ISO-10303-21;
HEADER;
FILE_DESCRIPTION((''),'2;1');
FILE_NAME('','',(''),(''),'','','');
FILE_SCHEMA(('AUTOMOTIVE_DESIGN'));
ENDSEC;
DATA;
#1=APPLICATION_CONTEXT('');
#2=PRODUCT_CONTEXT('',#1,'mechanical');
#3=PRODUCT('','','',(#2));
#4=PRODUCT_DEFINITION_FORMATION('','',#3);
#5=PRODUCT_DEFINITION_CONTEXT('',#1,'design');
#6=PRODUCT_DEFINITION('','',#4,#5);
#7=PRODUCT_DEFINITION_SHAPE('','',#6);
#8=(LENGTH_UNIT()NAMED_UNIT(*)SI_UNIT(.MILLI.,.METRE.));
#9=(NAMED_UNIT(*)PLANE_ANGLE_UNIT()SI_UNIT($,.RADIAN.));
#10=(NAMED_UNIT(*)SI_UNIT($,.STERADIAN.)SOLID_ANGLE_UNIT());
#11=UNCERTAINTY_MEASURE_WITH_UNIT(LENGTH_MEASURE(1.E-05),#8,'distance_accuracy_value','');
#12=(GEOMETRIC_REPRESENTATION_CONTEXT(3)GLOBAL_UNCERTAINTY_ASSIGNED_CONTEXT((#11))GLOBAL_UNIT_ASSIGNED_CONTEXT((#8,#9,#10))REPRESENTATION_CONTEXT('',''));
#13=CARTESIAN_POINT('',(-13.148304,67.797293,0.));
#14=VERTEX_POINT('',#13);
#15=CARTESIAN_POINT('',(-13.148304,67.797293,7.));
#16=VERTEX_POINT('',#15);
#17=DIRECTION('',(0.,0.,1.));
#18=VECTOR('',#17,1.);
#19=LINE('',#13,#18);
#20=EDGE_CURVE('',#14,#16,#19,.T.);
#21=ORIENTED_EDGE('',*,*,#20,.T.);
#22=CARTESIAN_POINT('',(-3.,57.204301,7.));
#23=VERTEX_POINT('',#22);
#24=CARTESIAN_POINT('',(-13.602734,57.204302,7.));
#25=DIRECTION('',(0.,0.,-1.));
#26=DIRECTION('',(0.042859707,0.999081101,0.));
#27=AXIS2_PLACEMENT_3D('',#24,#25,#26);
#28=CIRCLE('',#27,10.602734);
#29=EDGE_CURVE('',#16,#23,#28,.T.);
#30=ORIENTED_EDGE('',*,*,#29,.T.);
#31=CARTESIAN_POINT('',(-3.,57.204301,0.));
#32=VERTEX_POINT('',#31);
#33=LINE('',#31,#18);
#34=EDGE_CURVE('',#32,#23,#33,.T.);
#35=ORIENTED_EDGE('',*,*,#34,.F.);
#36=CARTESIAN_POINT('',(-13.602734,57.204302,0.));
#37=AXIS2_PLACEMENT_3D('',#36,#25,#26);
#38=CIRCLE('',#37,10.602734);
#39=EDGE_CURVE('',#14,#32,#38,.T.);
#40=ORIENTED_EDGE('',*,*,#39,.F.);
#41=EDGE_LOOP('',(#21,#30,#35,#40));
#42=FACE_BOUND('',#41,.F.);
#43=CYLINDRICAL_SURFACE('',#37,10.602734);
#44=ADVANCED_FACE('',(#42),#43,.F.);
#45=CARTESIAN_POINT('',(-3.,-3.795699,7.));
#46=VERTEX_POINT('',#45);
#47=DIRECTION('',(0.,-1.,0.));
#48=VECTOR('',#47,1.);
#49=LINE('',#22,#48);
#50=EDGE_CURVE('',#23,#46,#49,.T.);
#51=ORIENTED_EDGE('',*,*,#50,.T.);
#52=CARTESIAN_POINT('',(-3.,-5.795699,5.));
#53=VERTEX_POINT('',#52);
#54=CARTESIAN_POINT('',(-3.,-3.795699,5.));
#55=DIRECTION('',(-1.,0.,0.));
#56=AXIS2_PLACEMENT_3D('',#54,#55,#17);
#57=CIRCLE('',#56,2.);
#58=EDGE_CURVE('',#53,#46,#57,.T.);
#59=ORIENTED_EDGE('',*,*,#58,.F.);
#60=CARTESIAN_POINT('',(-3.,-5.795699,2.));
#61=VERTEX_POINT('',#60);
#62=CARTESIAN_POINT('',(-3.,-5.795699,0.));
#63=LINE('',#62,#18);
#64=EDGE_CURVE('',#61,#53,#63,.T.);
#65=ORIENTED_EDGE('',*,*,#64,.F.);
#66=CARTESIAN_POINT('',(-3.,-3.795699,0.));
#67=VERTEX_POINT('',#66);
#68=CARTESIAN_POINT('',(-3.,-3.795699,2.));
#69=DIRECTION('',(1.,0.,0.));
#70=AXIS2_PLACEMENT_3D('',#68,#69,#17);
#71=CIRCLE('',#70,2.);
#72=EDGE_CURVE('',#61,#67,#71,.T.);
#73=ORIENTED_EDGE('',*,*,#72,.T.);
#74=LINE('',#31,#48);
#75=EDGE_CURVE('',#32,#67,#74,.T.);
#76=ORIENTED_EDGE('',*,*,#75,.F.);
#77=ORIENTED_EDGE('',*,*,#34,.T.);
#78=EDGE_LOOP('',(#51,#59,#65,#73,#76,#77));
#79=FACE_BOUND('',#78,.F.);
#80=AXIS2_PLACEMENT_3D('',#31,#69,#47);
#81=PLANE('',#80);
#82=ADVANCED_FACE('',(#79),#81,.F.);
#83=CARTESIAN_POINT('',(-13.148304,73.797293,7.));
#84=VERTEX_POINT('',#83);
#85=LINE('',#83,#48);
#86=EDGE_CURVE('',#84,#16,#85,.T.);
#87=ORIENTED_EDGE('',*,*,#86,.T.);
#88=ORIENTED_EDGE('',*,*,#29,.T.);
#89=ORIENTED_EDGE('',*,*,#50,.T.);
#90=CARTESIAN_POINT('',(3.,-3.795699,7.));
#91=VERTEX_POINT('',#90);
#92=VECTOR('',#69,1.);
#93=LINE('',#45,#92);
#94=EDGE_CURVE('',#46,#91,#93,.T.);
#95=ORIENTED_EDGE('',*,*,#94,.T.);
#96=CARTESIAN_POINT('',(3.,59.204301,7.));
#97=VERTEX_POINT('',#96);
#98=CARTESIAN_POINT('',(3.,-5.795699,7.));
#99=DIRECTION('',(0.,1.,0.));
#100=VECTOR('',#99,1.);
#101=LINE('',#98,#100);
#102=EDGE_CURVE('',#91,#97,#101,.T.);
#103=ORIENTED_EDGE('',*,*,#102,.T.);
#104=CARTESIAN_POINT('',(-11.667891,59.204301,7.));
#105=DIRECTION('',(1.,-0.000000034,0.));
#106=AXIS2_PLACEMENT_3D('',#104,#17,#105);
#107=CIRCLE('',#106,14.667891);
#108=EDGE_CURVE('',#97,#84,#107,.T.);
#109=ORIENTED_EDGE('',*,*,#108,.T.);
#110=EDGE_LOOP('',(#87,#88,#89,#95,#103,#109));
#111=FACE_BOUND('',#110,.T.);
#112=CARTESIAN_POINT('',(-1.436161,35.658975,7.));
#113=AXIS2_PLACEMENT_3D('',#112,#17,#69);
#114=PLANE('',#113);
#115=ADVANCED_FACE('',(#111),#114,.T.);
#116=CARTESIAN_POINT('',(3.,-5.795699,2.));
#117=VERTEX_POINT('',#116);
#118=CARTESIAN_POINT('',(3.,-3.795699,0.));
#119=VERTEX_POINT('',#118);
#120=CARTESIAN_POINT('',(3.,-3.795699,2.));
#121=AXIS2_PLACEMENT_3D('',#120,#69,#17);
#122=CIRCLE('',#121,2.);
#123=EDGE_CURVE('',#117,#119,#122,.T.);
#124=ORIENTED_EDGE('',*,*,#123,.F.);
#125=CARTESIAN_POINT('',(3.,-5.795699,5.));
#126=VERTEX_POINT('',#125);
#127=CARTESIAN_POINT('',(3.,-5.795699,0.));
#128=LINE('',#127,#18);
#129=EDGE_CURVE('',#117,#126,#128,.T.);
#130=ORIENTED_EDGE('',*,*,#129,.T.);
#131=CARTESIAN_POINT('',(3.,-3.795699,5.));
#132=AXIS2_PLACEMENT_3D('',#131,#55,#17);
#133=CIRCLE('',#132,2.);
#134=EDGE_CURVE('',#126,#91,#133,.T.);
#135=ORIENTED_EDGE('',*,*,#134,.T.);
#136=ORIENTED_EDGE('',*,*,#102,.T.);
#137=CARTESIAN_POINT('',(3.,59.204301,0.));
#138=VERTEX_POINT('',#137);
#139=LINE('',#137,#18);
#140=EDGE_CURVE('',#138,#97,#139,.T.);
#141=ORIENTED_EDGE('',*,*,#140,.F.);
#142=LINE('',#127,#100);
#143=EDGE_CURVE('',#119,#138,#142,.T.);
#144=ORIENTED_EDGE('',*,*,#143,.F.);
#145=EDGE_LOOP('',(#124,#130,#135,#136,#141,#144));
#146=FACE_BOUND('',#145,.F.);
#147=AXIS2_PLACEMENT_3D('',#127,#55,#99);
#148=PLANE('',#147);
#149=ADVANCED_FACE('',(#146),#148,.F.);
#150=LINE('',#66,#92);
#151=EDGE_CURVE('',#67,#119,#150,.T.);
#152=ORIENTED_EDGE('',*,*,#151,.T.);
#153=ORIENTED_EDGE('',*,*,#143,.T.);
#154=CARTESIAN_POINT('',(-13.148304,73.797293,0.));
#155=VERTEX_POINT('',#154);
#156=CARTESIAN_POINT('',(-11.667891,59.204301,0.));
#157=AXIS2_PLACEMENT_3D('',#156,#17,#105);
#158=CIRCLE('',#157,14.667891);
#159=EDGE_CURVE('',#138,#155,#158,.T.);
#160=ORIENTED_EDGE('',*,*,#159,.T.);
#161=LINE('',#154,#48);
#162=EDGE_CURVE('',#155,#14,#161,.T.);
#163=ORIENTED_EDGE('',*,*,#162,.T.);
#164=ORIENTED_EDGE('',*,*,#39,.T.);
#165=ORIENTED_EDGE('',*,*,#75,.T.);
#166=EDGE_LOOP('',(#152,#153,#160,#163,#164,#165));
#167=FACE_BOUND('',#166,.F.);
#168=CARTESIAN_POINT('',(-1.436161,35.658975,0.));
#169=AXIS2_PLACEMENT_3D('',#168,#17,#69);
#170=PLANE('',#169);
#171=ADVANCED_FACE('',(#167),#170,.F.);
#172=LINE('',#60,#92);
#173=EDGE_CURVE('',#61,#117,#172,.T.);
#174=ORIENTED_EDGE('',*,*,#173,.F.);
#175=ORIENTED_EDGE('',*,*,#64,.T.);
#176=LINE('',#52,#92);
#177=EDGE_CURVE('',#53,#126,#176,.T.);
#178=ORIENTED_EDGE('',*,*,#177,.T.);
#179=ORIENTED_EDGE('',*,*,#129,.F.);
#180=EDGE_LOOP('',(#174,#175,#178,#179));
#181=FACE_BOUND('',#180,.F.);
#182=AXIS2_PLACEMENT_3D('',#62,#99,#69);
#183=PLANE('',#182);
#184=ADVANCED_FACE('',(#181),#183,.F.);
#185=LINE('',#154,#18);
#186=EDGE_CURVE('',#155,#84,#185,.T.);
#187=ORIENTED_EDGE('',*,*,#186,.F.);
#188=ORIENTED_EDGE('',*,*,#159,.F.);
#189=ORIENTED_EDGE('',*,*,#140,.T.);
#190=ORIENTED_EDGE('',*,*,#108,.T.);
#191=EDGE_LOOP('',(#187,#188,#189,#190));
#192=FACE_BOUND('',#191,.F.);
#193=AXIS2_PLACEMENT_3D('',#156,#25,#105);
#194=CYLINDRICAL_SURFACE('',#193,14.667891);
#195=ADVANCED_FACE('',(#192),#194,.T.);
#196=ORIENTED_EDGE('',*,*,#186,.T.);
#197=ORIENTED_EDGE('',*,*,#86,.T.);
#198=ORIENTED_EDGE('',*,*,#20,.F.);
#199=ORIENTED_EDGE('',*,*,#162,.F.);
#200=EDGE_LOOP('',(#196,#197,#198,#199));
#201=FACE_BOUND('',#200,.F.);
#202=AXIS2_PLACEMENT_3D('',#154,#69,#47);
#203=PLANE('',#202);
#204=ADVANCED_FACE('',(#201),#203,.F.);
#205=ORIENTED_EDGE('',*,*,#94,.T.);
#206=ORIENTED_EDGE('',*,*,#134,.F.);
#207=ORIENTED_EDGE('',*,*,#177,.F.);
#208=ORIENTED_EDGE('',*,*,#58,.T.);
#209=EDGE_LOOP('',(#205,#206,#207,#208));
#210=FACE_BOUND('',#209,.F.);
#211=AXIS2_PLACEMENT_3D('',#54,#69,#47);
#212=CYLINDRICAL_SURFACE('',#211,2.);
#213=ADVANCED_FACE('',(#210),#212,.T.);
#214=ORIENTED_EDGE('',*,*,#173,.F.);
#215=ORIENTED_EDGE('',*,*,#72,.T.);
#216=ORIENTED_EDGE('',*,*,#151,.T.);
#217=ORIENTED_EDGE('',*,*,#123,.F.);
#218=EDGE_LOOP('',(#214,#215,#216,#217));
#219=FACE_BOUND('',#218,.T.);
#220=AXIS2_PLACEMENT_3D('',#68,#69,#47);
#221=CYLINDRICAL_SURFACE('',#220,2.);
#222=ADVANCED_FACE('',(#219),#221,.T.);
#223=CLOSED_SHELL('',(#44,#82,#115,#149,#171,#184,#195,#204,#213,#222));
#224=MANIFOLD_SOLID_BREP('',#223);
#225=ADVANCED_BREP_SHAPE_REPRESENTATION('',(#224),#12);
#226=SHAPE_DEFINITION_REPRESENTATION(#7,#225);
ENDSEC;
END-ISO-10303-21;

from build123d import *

# Parameters (mm, degrees)
F1_DEPTH = 7
F2_R     = 2


with BuildPart() as f1:
    # F0 (on Top) → F1 (new body)
    with BuildSketch(Plane.XY):
        with BuildLine():
            Line((-3, -5.795699), (0, -5.795699))
            Line((0, -5.795699), (3, -5.795699))
            Line((3, -5.795699), (3, 59.204301))
            ThreePointArc((3, 59.204301), (-1.833449, 70.086892), (-13.148304, 73.797293))
            Line((-13.148304, 73.797293), (-13.148304, 67.797293))
            ThreePointArc((-13.148304, 67.797293), (-5.946489, 64.539142), (-3, 57.204301))
            Line((-3, 57.204301), (-3, -5.795699))
        make_face()
    extrude(amount=F1_DEPTH)

    # F2
    f2_edges = [f1.edges().sort_by_distance(p)[0] for p in [
        (0, -5.795699, 7),
        (0, -5.795699, 0),
    ]]
    fillet(f2_edges, radius=F2_R)


solid = f1.part
